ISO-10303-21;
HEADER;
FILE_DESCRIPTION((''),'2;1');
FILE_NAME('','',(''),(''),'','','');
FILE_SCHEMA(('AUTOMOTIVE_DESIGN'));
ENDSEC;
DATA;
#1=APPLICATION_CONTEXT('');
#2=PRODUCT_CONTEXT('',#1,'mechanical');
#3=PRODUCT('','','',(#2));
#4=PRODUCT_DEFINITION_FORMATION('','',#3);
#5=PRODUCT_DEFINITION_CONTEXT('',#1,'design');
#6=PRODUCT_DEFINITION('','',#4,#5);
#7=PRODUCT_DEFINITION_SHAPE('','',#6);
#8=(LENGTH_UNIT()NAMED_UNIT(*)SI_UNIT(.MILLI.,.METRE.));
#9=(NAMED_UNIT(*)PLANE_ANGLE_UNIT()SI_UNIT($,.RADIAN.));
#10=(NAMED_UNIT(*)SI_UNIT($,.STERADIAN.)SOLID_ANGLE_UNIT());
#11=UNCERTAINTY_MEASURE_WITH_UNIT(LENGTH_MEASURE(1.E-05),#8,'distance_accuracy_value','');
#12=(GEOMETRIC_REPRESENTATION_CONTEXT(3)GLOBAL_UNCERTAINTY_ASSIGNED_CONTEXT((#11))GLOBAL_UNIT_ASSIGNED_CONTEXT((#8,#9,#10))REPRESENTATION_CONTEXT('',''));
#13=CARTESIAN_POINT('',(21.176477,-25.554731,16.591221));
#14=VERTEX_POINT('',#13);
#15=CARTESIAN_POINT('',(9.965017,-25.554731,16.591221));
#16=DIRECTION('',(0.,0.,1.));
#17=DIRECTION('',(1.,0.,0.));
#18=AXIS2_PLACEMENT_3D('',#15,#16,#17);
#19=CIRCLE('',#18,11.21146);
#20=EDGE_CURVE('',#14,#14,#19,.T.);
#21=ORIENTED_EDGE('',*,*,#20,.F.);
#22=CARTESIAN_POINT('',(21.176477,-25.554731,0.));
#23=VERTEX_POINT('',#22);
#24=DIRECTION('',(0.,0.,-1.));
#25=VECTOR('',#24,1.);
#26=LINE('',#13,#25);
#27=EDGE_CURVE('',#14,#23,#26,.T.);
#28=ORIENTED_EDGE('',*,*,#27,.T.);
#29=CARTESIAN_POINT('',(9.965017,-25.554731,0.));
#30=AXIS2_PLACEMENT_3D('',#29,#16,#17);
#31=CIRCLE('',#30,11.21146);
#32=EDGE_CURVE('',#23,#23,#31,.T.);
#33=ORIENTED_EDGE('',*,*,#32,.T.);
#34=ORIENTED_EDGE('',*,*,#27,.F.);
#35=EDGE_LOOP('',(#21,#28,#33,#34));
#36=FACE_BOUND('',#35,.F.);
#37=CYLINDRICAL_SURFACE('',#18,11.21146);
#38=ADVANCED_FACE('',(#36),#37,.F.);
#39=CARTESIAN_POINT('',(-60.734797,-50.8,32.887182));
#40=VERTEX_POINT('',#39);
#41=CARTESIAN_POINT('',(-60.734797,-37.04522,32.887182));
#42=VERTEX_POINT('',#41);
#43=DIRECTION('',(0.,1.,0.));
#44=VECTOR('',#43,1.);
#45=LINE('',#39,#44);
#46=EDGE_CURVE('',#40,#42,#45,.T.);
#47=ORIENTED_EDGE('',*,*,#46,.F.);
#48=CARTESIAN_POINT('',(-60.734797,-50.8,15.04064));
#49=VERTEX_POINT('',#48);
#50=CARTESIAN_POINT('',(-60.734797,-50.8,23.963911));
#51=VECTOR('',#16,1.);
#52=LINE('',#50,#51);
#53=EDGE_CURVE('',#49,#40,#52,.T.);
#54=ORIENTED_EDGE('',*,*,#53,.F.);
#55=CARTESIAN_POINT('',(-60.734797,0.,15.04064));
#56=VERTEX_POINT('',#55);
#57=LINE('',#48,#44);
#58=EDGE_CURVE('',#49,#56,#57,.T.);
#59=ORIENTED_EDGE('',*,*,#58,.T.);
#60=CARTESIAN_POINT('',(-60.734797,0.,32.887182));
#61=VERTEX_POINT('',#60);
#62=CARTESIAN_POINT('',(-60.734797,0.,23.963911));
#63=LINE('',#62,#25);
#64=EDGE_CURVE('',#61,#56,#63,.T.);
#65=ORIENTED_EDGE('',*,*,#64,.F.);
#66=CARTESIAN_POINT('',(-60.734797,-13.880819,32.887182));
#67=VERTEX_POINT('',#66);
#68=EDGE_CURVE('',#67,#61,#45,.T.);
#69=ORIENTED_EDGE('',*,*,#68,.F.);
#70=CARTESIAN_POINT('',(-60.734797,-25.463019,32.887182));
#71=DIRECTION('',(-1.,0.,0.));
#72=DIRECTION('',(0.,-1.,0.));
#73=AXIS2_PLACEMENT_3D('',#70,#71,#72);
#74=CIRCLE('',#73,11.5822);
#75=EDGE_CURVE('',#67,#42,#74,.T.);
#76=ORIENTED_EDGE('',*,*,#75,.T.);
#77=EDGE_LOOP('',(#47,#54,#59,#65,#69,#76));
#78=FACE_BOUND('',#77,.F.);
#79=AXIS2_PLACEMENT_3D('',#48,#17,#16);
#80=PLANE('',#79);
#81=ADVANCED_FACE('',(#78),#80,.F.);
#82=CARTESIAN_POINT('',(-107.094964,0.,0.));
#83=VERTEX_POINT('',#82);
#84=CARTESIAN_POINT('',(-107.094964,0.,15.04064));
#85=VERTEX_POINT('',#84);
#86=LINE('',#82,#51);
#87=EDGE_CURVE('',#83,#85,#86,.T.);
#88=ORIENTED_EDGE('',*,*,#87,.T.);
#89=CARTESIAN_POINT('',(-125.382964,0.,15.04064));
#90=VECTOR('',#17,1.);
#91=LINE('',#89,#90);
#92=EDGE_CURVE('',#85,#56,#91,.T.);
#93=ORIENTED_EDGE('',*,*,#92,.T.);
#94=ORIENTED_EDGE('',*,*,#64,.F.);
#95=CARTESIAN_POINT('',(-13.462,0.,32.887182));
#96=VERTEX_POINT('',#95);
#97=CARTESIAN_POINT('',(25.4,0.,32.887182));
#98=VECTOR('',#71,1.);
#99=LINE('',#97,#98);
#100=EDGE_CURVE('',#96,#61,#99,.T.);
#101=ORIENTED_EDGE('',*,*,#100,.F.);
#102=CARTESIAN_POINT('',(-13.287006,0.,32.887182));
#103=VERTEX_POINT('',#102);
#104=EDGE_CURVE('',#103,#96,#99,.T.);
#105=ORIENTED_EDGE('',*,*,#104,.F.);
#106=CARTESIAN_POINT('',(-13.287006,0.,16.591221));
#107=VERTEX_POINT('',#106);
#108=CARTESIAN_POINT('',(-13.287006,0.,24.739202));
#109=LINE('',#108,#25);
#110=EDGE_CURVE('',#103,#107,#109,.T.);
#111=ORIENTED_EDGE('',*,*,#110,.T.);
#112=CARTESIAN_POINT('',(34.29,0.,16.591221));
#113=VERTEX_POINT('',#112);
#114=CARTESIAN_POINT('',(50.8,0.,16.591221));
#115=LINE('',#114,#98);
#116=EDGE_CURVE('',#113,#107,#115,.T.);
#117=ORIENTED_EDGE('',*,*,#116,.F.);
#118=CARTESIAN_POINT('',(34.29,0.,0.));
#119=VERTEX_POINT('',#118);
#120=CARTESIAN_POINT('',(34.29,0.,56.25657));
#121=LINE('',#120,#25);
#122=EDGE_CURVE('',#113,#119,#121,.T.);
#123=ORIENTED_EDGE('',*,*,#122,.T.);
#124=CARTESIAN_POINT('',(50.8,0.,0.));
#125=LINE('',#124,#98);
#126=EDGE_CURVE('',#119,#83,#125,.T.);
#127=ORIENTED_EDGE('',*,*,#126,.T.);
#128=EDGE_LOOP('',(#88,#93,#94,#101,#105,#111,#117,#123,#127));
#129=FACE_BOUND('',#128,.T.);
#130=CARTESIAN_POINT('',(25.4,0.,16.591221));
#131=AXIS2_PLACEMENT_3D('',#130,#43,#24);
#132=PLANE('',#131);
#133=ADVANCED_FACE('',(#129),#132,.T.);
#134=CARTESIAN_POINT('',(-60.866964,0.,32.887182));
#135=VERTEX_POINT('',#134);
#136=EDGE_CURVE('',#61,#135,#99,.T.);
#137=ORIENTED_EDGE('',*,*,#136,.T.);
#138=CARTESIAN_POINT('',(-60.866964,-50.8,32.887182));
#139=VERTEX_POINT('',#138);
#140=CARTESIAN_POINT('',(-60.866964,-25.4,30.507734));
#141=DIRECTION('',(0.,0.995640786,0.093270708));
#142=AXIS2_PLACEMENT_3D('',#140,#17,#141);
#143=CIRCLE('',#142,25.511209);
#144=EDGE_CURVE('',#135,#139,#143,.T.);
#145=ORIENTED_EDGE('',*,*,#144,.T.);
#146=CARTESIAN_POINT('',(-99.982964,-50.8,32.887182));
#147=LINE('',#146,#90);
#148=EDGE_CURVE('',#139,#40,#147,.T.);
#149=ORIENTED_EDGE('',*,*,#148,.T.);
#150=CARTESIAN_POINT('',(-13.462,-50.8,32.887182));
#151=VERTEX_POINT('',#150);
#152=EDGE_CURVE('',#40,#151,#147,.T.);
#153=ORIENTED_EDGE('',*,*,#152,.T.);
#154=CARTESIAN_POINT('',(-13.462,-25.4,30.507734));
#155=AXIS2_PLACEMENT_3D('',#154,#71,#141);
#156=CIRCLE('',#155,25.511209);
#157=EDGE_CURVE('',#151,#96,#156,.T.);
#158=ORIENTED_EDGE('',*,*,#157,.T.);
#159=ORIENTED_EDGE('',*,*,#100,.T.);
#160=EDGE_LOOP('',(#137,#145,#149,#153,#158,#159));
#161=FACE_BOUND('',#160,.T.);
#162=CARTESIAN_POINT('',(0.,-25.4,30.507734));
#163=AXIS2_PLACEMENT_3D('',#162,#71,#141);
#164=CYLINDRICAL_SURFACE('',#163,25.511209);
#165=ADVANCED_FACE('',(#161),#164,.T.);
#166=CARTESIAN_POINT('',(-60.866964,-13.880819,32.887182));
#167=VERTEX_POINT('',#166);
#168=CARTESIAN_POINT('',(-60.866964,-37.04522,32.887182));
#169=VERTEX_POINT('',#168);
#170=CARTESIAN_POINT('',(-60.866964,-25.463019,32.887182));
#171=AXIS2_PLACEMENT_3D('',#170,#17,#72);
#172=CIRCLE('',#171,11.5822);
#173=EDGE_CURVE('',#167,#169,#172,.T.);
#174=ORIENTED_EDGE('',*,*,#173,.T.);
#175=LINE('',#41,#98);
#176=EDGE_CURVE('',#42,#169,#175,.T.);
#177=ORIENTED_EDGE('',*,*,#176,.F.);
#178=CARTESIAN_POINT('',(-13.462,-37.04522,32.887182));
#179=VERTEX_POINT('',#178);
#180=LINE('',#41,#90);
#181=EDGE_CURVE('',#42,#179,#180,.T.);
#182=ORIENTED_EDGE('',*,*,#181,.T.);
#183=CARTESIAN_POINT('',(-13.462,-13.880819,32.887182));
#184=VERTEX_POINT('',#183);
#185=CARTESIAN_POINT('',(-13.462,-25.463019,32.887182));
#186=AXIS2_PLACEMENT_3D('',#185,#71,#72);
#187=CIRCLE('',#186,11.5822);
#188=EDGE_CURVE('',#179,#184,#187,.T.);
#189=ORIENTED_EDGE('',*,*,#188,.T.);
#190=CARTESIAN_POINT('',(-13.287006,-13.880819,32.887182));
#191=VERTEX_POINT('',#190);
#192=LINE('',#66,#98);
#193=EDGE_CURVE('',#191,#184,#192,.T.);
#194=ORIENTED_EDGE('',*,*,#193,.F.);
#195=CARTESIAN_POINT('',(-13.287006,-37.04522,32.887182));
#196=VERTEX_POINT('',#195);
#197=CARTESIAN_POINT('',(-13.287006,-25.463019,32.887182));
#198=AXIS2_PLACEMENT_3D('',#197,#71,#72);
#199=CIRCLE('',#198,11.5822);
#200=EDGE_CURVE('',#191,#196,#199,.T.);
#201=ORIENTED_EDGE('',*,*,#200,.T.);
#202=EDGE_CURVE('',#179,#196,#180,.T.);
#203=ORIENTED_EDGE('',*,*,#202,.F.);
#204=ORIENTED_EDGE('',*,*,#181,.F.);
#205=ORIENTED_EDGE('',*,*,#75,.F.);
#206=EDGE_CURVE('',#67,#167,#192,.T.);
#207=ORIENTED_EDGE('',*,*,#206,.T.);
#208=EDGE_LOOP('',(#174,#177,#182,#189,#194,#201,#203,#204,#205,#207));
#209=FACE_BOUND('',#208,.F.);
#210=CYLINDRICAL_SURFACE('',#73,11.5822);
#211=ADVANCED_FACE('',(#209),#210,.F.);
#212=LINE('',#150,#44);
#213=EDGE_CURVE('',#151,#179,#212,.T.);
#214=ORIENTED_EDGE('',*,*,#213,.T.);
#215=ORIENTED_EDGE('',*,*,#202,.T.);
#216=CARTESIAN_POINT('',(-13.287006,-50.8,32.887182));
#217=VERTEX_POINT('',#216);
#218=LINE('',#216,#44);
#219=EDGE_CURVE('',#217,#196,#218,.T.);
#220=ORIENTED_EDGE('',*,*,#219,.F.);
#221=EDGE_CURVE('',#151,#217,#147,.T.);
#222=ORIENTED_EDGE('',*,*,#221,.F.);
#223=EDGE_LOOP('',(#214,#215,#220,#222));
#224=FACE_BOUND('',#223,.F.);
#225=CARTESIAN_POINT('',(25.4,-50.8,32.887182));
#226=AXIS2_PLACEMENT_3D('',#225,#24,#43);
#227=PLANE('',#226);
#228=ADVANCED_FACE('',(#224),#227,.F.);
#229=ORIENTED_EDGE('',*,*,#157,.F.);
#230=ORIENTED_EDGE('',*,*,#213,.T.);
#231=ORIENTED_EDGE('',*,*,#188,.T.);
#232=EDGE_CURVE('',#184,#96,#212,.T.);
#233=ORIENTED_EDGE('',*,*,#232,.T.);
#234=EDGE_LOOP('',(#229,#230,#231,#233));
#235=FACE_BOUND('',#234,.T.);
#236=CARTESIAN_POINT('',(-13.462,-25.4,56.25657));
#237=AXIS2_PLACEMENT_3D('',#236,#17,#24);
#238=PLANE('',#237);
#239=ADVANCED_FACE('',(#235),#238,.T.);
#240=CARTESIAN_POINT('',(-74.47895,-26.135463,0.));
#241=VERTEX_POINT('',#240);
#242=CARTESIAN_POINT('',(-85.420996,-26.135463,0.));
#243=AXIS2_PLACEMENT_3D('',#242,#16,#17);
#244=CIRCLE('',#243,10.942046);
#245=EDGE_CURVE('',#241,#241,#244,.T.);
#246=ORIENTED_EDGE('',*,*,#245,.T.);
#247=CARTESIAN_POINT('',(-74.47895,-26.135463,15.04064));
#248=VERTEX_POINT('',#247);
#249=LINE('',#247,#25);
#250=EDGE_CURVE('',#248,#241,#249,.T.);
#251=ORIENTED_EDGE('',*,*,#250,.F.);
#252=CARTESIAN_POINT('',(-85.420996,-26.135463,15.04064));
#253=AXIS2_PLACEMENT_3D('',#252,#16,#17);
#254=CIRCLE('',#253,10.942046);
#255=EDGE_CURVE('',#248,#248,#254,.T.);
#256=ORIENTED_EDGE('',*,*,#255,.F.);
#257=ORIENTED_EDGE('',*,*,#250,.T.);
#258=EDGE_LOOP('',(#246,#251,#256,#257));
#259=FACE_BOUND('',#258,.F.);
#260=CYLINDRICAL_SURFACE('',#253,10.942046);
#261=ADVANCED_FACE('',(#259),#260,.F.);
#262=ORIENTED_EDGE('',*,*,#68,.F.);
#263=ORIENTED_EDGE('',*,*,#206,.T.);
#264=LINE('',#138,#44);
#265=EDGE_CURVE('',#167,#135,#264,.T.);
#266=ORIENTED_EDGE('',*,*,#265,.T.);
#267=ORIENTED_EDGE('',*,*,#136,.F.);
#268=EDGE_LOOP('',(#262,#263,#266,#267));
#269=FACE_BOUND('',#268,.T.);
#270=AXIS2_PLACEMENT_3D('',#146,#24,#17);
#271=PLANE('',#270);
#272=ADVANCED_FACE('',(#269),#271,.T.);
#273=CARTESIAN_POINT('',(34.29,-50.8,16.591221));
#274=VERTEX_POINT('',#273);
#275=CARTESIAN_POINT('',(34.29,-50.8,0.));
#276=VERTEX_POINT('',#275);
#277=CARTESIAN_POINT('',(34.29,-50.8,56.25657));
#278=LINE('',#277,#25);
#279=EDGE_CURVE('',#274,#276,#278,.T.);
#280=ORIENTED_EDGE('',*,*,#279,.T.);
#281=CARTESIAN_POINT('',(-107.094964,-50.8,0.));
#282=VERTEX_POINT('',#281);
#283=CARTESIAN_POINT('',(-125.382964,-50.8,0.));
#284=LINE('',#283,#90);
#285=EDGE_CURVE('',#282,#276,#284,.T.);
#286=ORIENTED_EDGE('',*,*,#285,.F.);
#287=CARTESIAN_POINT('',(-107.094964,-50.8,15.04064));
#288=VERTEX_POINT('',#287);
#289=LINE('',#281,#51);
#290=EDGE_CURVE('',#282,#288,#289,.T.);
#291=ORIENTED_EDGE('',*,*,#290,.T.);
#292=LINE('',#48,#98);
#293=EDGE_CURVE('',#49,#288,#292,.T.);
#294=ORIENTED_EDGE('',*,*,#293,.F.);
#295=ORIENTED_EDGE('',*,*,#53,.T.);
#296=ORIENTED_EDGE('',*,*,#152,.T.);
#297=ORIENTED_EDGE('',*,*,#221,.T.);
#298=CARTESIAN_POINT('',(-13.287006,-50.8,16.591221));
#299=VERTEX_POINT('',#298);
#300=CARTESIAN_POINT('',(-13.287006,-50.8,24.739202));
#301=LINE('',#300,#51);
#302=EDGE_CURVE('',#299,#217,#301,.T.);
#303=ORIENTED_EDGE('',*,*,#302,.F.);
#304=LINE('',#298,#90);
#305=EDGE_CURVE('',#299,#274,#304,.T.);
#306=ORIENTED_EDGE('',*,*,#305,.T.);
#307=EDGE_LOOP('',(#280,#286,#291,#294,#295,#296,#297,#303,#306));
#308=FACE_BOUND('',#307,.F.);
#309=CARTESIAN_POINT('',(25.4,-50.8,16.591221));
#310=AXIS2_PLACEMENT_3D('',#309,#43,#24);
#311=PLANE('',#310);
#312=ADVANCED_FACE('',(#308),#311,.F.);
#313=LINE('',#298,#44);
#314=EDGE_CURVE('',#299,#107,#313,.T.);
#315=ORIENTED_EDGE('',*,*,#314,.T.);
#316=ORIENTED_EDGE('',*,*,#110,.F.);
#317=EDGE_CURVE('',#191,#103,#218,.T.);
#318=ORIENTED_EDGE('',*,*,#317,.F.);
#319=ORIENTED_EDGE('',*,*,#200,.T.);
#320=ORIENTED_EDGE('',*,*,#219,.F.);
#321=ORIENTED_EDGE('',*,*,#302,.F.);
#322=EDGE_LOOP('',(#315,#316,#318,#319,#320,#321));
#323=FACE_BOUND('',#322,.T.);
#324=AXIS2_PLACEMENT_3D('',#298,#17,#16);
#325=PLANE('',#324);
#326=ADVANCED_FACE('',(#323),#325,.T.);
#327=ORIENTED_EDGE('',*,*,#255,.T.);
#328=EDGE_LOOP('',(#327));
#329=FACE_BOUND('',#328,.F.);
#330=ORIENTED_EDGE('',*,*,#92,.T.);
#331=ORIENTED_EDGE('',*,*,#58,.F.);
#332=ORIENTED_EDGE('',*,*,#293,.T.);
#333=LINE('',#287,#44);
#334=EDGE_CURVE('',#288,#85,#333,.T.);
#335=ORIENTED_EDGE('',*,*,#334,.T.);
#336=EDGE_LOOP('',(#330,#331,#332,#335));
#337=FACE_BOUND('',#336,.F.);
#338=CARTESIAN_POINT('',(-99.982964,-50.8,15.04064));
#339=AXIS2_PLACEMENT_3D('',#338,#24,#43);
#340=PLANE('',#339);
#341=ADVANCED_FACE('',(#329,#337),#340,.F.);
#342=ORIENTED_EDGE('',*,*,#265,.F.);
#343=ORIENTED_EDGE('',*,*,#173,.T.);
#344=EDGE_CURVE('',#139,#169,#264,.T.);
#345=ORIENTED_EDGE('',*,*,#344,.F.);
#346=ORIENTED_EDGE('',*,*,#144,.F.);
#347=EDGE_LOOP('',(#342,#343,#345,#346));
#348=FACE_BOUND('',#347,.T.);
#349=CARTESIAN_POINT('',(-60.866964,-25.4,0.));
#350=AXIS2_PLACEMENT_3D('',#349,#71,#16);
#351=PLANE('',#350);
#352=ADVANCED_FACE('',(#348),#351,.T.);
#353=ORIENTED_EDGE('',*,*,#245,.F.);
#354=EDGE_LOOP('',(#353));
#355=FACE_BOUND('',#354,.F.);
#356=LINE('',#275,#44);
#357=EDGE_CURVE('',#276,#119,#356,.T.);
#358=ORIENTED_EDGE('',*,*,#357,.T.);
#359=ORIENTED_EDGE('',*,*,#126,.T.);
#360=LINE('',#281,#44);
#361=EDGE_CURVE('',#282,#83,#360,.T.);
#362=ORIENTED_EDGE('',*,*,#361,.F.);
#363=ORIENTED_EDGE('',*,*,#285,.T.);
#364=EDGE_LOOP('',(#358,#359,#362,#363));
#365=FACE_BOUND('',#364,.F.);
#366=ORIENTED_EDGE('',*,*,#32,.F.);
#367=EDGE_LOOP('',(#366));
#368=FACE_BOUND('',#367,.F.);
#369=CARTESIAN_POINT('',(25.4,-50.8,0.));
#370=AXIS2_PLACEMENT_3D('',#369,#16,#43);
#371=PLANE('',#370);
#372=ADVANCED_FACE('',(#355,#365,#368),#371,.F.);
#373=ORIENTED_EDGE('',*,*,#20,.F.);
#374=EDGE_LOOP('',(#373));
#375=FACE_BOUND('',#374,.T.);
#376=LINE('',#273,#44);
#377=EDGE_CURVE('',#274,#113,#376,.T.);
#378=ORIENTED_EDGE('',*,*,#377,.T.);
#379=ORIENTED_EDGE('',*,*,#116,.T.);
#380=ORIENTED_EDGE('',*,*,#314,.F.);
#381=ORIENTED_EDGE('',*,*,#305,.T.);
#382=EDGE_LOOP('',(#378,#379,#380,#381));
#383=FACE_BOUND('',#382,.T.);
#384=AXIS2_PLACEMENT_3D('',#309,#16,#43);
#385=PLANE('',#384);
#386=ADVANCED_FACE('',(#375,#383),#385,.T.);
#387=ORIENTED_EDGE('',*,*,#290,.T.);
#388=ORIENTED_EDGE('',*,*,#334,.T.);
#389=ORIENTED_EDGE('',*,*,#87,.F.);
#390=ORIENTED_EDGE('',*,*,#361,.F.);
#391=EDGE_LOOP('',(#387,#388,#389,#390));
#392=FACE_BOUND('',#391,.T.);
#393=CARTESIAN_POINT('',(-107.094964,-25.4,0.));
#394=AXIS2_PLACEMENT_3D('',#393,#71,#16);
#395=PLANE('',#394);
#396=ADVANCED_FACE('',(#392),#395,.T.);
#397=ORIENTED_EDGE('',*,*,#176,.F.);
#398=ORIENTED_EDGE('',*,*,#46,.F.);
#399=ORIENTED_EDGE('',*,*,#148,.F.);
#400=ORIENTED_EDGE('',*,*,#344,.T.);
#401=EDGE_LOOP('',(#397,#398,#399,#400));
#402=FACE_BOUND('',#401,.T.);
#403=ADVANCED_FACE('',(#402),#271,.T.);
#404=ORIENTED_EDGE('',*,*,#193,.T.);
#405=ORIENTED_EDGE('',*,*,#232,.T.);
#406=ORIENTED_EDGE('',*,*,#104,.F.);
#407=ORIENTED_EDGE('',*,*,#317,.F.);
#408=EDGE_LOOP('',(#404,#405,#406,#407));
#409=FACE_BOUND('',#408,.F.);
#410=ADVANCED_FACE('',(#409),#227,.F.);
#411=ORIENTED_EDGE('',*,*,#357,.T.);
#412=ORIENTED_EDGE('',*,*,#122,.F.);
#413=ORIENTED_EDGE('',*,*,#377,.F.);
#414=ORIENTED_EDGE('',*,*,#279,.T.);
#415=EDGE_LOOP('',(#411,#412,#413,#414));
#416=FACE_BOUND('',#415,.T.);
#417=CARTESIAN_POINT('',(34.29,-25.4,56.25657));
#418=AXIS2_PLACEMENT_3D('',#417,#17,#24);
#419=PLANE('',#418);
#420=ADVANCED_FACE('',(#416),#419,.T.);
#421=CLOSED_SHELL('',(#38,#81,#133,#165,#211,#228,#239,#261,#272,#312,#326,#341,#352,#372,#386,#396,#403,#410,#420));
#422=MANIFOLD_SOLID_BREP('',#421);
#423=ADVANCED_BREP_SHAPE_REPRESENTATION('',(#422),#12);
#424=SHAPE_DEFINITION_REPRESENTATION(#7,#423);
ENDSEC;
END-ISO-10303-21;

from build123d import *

# Parameters (mm, degrees)
F0_W      = 74.5829641819
F0_H      = 30.8565702289
F1_DEPTH  = 25.4
F2_DEPTH  = 25.4
F3_DEPTH  = 25.4
F4_DEPTH  = 25.4
F6_DEPTH  = 25.4
F7_DEPTH  = 151.384
F8_DEPTH  = 25.4
F9_W      = 39.2481669128
F9_H      = 17.8465423578
F12_DEPTH = 60.198
F10_W     = 38.687005946
F10_H     = 16.2959610515
F13_DEPTH = 64.262
F14_DEPTH = 39.116
F15_DEPTH = 38.862
F16_DEPTH = 25.4
F17_DEPTH = 25.4
F19_DEPTH = 107.442
F21_DEPTH = 58.166
F22_DEPTH = 25.4
F23_DEPTH = 25.4
F24_DEPTH = 16.51
F25_DEPTH = 18.288
F26_R     = 11.2114596222
F27_DEPTH = 45.72
F28_R     = 10.9420459353
F29_DEPTH = 60.452


with BuildPart() as f1:
    # F0 (on Front) → F1 (new body)
    with BuildSketch(Plane.XZ):
        with Locations((-37.291482091, 15.4282851145)):
            Rectangle(F0_W, F0_H)
    extrude(amount=F1_DEPTH)

    # F2 (add): a face of the model
    f2_faces = [f1.faces().sort_by_distance(p)[0] for p in [
        (-74.5829641819, -12.7, 15.4282851145),
    ]]
    extrude(f2_faces, amount=F2_DEPTH)

    # F3 (add): a face of the model
    f3_faces = [f1.faces().sort_by_distance(p)[0] for p in [
        (-49.991482091, -12.7, 30.8565702289),
    ]]
    extrude(f3_faces, amount=F3_DEPTH)

    # F4 (add): a face of the model
    f4_faces = [f1.faces().sort_by_distance(p)[0] for p in [
        (-49.991482091, -25.4, 28.1282851145),
    ]]
    extrude(f4_faces, amount=F4_DEPTH)

    # F5 (on face) → F6 (cut)
    with BuildSketch(Plane(origin=(-99.9829641819, 0, 0), x_dir=(0, -1, 0), z_dir=(-1, 0, 0))):
        with BuildLine():
            ThreePointArc((0, 32.8871821457), (25.4, 56.0189424458), (50.8, 32.8871821457))
            Line((50.8, 32.8871821457), (50.8, 56.2565702289))
            Line((50.8, 56.2565702289), (0, 56.2565702289))
            Line((0, 56.2565702289), (0, 32.8871821457))
        make_face()
    extrude(amount=-F6_DEPTH, mode=Mode.SUBTRACT)

    # F7 (cut): a face of the model
    f7_faces = [f1.faces().sort_by_distance(p)[0] for p in [
        (-74.5829641819, -25.4, 56.0748599591),
    ]]
    extrude(f7_faces, amount=-F7_DEPTH, mode=Mode.SUBTRACT)

    # F8 (add): a face of the model
    f8_faces = [f1.faces().sort_by_distance(p)[0] for p in [
        (0, -25.4, 25.6193021496),
    ]]
    extrude(f8_faces, amount=F8_DEPTH)

    # F9 (on face) → F12 (cut)
    with BuildSketch(Plane.XZ.offset(50.8)):
        with Locations((-80.3588807255, 23.9639109668)):
            Rectangle(F9_W, F9_H)
    extrude(amount=-F12_DEPTH, mode=Mode.SUBTRACT)

    # F10 (on face) → F13 (cut)
    with BuildSketch(Plane.XZ.offset(50.8)):
        with Locations((6.056497027, 24.7392016199)):
            Rectangle(F10_W, F10_H)
    extrude(amount=-F13_DEPTH, mode=Mode.SUBTRACT)

    # F14 (cut): a face of the model
    f14_faces = [f1.faces().sort_by_distance(p)[0] for p in [
        (-99.9829641819, -25.4, 42.6317575384),
    ]]
    extrude(f14_faces, amount=-F14_DEPTH, mode=Mode.SUBTRACT)

    # F15 (cut): a face of the model
    f15_faces = [f1.faces().sort_by_distance(p)[0] for p in [
        (25.4, -25.4, 42.6317575384),
    ]]
    extrude(f15_faces, amount=-F15_DEPTH, mode=Mode.SUBTRACT)

    # F16 (add): a face of the model
    f16_faces = [f1.faces().sort_by_distance(p)[0] for p in [
        (-99.9829641819, -25.4, 7.520319894),
    ]]
    extrude(f16_faces, amount=F16_DEPTH)

    # F17 (add): a face of the model
    f17_faces = [f1.faces().sort_by_distance(p)[0] for p in [
        (25.4, -25.4, 8.2956105471),
    ]]
    extrude(f17_faces, amount=F17_DEPTH)

    # F18 (on face) → F19 (cut)
    with BuildSketch(Plane.YZ.offset(-13.287005946)):
        with BuildLine():
            Line((-35.7976081282, 32.8871821457), (-15.1284308589, 32.8871821457))
            ThreePointArc((-15.1284308589, 32.8871821457), (-25.4630194936, 41.1995819956), (-35.7976081282, 32.8871821457))
        make_face()
    extrude(amount=-F19_DEPTH, mode=Mode.SUBTRACT)

    # F20 (on face) → F21 (cut)
    with BuildSketch(Plane(origin=(-60.7347972691, 0, 0), x_dir=(0, -1, 0), z_dir=(-1, 0, 0))):
        with BuildLine():
            ThreePointArc((13.880819181, 32.8871821457), (25.4630194936, 21.3049818331), (37.0452198061, 32.8871821457))
            Line((37.0452198061, 32.8871821457), (35.7976081282, 32.8871821457))
            Line((35.7976081282, 32.8871821457), (15.1284308589, 32.8871821457))
            Line((15.1284308589, 32.8871821457), (13.880819181, 32.8871821457))
        make_face()
        with BuildLine():
            Line((35.7976081282, 32.8871821457), (37.0452198061, 32.8871821457))
            ThreePointArc((37.0452198061, 32.8871821457), (25.4630194936, 44.4693824582), (13.880819181, 32.8871821457))
            Line((13.880819181, 32.8871821457), (15.1284308589, 32.8871821457))
            Line((15.1284308589, 32.8871821457), (35.7976081282, 32.8871821457))
        make_face()
    extrude(amount=-F21_DEPTH, mode=Mode.SUBTRACT)

    # F22 (cut): a face of the model
    f22_faces = [f1.faces().sort_by_distance(p)[0] for p in [
        (-60.7347972691, -36.4214139672, 33.146168018),
    ]]
    extrude(f22_faces, amount=F22_DEPTH, mode=Mode.SUBTRACT)

    # F23 (cut): a face of the model
    f23_faces = [f1.faces().sort_by_distance(p)[0] for p in [
        (-60.7347972691, -36.4214139672, 33.146168018),
    ]]
    extrude(f23_faces, amount=-F23_DEPTH, mode=Mode.SUBTRACT)

    # F24 (cut): a face of the model
    f24_faces = [f1.faces().sort_by_distance(p)[0] for p in [
        (50.8, -25.4, 8.2956105471),
    ]]
    extrude(f24_faces, amount=-F24_DEPTH, mode=Mode.SUBTRACT)

    # F25 (cut): a face of the model
    f25_faces = [f1.faces().sort_by_distance(p)[0] for p in [
        (-125.3829641819, -25.4, 7.520319894),
    ]]
    extrude(f25_faces, amount=-F25_DEPTH, mode=Mode.SUBTRACT)

    # F26 (on face) → F27 (cut)
    with BuildSketch(Plane.XY.offset(16.5912210941)):
        with Locations((9.9650174379, -25.5547314882)):
            Circle(F26_R)
    extrude(amount=-F27_DEPTH, mode=Mode.SUBTRACT)

    # F28 (on face) → F29 (cut)
    with BuildSketch(Plane.XY.offset(15.0406397879)):
        with Locations((-85.4209959507, -26.1354632676)):
            Circle(F28_R)
    extrude(amount=-F29_DEPTH, mode=Mode.SUBTRACT)


solid = f1.part
